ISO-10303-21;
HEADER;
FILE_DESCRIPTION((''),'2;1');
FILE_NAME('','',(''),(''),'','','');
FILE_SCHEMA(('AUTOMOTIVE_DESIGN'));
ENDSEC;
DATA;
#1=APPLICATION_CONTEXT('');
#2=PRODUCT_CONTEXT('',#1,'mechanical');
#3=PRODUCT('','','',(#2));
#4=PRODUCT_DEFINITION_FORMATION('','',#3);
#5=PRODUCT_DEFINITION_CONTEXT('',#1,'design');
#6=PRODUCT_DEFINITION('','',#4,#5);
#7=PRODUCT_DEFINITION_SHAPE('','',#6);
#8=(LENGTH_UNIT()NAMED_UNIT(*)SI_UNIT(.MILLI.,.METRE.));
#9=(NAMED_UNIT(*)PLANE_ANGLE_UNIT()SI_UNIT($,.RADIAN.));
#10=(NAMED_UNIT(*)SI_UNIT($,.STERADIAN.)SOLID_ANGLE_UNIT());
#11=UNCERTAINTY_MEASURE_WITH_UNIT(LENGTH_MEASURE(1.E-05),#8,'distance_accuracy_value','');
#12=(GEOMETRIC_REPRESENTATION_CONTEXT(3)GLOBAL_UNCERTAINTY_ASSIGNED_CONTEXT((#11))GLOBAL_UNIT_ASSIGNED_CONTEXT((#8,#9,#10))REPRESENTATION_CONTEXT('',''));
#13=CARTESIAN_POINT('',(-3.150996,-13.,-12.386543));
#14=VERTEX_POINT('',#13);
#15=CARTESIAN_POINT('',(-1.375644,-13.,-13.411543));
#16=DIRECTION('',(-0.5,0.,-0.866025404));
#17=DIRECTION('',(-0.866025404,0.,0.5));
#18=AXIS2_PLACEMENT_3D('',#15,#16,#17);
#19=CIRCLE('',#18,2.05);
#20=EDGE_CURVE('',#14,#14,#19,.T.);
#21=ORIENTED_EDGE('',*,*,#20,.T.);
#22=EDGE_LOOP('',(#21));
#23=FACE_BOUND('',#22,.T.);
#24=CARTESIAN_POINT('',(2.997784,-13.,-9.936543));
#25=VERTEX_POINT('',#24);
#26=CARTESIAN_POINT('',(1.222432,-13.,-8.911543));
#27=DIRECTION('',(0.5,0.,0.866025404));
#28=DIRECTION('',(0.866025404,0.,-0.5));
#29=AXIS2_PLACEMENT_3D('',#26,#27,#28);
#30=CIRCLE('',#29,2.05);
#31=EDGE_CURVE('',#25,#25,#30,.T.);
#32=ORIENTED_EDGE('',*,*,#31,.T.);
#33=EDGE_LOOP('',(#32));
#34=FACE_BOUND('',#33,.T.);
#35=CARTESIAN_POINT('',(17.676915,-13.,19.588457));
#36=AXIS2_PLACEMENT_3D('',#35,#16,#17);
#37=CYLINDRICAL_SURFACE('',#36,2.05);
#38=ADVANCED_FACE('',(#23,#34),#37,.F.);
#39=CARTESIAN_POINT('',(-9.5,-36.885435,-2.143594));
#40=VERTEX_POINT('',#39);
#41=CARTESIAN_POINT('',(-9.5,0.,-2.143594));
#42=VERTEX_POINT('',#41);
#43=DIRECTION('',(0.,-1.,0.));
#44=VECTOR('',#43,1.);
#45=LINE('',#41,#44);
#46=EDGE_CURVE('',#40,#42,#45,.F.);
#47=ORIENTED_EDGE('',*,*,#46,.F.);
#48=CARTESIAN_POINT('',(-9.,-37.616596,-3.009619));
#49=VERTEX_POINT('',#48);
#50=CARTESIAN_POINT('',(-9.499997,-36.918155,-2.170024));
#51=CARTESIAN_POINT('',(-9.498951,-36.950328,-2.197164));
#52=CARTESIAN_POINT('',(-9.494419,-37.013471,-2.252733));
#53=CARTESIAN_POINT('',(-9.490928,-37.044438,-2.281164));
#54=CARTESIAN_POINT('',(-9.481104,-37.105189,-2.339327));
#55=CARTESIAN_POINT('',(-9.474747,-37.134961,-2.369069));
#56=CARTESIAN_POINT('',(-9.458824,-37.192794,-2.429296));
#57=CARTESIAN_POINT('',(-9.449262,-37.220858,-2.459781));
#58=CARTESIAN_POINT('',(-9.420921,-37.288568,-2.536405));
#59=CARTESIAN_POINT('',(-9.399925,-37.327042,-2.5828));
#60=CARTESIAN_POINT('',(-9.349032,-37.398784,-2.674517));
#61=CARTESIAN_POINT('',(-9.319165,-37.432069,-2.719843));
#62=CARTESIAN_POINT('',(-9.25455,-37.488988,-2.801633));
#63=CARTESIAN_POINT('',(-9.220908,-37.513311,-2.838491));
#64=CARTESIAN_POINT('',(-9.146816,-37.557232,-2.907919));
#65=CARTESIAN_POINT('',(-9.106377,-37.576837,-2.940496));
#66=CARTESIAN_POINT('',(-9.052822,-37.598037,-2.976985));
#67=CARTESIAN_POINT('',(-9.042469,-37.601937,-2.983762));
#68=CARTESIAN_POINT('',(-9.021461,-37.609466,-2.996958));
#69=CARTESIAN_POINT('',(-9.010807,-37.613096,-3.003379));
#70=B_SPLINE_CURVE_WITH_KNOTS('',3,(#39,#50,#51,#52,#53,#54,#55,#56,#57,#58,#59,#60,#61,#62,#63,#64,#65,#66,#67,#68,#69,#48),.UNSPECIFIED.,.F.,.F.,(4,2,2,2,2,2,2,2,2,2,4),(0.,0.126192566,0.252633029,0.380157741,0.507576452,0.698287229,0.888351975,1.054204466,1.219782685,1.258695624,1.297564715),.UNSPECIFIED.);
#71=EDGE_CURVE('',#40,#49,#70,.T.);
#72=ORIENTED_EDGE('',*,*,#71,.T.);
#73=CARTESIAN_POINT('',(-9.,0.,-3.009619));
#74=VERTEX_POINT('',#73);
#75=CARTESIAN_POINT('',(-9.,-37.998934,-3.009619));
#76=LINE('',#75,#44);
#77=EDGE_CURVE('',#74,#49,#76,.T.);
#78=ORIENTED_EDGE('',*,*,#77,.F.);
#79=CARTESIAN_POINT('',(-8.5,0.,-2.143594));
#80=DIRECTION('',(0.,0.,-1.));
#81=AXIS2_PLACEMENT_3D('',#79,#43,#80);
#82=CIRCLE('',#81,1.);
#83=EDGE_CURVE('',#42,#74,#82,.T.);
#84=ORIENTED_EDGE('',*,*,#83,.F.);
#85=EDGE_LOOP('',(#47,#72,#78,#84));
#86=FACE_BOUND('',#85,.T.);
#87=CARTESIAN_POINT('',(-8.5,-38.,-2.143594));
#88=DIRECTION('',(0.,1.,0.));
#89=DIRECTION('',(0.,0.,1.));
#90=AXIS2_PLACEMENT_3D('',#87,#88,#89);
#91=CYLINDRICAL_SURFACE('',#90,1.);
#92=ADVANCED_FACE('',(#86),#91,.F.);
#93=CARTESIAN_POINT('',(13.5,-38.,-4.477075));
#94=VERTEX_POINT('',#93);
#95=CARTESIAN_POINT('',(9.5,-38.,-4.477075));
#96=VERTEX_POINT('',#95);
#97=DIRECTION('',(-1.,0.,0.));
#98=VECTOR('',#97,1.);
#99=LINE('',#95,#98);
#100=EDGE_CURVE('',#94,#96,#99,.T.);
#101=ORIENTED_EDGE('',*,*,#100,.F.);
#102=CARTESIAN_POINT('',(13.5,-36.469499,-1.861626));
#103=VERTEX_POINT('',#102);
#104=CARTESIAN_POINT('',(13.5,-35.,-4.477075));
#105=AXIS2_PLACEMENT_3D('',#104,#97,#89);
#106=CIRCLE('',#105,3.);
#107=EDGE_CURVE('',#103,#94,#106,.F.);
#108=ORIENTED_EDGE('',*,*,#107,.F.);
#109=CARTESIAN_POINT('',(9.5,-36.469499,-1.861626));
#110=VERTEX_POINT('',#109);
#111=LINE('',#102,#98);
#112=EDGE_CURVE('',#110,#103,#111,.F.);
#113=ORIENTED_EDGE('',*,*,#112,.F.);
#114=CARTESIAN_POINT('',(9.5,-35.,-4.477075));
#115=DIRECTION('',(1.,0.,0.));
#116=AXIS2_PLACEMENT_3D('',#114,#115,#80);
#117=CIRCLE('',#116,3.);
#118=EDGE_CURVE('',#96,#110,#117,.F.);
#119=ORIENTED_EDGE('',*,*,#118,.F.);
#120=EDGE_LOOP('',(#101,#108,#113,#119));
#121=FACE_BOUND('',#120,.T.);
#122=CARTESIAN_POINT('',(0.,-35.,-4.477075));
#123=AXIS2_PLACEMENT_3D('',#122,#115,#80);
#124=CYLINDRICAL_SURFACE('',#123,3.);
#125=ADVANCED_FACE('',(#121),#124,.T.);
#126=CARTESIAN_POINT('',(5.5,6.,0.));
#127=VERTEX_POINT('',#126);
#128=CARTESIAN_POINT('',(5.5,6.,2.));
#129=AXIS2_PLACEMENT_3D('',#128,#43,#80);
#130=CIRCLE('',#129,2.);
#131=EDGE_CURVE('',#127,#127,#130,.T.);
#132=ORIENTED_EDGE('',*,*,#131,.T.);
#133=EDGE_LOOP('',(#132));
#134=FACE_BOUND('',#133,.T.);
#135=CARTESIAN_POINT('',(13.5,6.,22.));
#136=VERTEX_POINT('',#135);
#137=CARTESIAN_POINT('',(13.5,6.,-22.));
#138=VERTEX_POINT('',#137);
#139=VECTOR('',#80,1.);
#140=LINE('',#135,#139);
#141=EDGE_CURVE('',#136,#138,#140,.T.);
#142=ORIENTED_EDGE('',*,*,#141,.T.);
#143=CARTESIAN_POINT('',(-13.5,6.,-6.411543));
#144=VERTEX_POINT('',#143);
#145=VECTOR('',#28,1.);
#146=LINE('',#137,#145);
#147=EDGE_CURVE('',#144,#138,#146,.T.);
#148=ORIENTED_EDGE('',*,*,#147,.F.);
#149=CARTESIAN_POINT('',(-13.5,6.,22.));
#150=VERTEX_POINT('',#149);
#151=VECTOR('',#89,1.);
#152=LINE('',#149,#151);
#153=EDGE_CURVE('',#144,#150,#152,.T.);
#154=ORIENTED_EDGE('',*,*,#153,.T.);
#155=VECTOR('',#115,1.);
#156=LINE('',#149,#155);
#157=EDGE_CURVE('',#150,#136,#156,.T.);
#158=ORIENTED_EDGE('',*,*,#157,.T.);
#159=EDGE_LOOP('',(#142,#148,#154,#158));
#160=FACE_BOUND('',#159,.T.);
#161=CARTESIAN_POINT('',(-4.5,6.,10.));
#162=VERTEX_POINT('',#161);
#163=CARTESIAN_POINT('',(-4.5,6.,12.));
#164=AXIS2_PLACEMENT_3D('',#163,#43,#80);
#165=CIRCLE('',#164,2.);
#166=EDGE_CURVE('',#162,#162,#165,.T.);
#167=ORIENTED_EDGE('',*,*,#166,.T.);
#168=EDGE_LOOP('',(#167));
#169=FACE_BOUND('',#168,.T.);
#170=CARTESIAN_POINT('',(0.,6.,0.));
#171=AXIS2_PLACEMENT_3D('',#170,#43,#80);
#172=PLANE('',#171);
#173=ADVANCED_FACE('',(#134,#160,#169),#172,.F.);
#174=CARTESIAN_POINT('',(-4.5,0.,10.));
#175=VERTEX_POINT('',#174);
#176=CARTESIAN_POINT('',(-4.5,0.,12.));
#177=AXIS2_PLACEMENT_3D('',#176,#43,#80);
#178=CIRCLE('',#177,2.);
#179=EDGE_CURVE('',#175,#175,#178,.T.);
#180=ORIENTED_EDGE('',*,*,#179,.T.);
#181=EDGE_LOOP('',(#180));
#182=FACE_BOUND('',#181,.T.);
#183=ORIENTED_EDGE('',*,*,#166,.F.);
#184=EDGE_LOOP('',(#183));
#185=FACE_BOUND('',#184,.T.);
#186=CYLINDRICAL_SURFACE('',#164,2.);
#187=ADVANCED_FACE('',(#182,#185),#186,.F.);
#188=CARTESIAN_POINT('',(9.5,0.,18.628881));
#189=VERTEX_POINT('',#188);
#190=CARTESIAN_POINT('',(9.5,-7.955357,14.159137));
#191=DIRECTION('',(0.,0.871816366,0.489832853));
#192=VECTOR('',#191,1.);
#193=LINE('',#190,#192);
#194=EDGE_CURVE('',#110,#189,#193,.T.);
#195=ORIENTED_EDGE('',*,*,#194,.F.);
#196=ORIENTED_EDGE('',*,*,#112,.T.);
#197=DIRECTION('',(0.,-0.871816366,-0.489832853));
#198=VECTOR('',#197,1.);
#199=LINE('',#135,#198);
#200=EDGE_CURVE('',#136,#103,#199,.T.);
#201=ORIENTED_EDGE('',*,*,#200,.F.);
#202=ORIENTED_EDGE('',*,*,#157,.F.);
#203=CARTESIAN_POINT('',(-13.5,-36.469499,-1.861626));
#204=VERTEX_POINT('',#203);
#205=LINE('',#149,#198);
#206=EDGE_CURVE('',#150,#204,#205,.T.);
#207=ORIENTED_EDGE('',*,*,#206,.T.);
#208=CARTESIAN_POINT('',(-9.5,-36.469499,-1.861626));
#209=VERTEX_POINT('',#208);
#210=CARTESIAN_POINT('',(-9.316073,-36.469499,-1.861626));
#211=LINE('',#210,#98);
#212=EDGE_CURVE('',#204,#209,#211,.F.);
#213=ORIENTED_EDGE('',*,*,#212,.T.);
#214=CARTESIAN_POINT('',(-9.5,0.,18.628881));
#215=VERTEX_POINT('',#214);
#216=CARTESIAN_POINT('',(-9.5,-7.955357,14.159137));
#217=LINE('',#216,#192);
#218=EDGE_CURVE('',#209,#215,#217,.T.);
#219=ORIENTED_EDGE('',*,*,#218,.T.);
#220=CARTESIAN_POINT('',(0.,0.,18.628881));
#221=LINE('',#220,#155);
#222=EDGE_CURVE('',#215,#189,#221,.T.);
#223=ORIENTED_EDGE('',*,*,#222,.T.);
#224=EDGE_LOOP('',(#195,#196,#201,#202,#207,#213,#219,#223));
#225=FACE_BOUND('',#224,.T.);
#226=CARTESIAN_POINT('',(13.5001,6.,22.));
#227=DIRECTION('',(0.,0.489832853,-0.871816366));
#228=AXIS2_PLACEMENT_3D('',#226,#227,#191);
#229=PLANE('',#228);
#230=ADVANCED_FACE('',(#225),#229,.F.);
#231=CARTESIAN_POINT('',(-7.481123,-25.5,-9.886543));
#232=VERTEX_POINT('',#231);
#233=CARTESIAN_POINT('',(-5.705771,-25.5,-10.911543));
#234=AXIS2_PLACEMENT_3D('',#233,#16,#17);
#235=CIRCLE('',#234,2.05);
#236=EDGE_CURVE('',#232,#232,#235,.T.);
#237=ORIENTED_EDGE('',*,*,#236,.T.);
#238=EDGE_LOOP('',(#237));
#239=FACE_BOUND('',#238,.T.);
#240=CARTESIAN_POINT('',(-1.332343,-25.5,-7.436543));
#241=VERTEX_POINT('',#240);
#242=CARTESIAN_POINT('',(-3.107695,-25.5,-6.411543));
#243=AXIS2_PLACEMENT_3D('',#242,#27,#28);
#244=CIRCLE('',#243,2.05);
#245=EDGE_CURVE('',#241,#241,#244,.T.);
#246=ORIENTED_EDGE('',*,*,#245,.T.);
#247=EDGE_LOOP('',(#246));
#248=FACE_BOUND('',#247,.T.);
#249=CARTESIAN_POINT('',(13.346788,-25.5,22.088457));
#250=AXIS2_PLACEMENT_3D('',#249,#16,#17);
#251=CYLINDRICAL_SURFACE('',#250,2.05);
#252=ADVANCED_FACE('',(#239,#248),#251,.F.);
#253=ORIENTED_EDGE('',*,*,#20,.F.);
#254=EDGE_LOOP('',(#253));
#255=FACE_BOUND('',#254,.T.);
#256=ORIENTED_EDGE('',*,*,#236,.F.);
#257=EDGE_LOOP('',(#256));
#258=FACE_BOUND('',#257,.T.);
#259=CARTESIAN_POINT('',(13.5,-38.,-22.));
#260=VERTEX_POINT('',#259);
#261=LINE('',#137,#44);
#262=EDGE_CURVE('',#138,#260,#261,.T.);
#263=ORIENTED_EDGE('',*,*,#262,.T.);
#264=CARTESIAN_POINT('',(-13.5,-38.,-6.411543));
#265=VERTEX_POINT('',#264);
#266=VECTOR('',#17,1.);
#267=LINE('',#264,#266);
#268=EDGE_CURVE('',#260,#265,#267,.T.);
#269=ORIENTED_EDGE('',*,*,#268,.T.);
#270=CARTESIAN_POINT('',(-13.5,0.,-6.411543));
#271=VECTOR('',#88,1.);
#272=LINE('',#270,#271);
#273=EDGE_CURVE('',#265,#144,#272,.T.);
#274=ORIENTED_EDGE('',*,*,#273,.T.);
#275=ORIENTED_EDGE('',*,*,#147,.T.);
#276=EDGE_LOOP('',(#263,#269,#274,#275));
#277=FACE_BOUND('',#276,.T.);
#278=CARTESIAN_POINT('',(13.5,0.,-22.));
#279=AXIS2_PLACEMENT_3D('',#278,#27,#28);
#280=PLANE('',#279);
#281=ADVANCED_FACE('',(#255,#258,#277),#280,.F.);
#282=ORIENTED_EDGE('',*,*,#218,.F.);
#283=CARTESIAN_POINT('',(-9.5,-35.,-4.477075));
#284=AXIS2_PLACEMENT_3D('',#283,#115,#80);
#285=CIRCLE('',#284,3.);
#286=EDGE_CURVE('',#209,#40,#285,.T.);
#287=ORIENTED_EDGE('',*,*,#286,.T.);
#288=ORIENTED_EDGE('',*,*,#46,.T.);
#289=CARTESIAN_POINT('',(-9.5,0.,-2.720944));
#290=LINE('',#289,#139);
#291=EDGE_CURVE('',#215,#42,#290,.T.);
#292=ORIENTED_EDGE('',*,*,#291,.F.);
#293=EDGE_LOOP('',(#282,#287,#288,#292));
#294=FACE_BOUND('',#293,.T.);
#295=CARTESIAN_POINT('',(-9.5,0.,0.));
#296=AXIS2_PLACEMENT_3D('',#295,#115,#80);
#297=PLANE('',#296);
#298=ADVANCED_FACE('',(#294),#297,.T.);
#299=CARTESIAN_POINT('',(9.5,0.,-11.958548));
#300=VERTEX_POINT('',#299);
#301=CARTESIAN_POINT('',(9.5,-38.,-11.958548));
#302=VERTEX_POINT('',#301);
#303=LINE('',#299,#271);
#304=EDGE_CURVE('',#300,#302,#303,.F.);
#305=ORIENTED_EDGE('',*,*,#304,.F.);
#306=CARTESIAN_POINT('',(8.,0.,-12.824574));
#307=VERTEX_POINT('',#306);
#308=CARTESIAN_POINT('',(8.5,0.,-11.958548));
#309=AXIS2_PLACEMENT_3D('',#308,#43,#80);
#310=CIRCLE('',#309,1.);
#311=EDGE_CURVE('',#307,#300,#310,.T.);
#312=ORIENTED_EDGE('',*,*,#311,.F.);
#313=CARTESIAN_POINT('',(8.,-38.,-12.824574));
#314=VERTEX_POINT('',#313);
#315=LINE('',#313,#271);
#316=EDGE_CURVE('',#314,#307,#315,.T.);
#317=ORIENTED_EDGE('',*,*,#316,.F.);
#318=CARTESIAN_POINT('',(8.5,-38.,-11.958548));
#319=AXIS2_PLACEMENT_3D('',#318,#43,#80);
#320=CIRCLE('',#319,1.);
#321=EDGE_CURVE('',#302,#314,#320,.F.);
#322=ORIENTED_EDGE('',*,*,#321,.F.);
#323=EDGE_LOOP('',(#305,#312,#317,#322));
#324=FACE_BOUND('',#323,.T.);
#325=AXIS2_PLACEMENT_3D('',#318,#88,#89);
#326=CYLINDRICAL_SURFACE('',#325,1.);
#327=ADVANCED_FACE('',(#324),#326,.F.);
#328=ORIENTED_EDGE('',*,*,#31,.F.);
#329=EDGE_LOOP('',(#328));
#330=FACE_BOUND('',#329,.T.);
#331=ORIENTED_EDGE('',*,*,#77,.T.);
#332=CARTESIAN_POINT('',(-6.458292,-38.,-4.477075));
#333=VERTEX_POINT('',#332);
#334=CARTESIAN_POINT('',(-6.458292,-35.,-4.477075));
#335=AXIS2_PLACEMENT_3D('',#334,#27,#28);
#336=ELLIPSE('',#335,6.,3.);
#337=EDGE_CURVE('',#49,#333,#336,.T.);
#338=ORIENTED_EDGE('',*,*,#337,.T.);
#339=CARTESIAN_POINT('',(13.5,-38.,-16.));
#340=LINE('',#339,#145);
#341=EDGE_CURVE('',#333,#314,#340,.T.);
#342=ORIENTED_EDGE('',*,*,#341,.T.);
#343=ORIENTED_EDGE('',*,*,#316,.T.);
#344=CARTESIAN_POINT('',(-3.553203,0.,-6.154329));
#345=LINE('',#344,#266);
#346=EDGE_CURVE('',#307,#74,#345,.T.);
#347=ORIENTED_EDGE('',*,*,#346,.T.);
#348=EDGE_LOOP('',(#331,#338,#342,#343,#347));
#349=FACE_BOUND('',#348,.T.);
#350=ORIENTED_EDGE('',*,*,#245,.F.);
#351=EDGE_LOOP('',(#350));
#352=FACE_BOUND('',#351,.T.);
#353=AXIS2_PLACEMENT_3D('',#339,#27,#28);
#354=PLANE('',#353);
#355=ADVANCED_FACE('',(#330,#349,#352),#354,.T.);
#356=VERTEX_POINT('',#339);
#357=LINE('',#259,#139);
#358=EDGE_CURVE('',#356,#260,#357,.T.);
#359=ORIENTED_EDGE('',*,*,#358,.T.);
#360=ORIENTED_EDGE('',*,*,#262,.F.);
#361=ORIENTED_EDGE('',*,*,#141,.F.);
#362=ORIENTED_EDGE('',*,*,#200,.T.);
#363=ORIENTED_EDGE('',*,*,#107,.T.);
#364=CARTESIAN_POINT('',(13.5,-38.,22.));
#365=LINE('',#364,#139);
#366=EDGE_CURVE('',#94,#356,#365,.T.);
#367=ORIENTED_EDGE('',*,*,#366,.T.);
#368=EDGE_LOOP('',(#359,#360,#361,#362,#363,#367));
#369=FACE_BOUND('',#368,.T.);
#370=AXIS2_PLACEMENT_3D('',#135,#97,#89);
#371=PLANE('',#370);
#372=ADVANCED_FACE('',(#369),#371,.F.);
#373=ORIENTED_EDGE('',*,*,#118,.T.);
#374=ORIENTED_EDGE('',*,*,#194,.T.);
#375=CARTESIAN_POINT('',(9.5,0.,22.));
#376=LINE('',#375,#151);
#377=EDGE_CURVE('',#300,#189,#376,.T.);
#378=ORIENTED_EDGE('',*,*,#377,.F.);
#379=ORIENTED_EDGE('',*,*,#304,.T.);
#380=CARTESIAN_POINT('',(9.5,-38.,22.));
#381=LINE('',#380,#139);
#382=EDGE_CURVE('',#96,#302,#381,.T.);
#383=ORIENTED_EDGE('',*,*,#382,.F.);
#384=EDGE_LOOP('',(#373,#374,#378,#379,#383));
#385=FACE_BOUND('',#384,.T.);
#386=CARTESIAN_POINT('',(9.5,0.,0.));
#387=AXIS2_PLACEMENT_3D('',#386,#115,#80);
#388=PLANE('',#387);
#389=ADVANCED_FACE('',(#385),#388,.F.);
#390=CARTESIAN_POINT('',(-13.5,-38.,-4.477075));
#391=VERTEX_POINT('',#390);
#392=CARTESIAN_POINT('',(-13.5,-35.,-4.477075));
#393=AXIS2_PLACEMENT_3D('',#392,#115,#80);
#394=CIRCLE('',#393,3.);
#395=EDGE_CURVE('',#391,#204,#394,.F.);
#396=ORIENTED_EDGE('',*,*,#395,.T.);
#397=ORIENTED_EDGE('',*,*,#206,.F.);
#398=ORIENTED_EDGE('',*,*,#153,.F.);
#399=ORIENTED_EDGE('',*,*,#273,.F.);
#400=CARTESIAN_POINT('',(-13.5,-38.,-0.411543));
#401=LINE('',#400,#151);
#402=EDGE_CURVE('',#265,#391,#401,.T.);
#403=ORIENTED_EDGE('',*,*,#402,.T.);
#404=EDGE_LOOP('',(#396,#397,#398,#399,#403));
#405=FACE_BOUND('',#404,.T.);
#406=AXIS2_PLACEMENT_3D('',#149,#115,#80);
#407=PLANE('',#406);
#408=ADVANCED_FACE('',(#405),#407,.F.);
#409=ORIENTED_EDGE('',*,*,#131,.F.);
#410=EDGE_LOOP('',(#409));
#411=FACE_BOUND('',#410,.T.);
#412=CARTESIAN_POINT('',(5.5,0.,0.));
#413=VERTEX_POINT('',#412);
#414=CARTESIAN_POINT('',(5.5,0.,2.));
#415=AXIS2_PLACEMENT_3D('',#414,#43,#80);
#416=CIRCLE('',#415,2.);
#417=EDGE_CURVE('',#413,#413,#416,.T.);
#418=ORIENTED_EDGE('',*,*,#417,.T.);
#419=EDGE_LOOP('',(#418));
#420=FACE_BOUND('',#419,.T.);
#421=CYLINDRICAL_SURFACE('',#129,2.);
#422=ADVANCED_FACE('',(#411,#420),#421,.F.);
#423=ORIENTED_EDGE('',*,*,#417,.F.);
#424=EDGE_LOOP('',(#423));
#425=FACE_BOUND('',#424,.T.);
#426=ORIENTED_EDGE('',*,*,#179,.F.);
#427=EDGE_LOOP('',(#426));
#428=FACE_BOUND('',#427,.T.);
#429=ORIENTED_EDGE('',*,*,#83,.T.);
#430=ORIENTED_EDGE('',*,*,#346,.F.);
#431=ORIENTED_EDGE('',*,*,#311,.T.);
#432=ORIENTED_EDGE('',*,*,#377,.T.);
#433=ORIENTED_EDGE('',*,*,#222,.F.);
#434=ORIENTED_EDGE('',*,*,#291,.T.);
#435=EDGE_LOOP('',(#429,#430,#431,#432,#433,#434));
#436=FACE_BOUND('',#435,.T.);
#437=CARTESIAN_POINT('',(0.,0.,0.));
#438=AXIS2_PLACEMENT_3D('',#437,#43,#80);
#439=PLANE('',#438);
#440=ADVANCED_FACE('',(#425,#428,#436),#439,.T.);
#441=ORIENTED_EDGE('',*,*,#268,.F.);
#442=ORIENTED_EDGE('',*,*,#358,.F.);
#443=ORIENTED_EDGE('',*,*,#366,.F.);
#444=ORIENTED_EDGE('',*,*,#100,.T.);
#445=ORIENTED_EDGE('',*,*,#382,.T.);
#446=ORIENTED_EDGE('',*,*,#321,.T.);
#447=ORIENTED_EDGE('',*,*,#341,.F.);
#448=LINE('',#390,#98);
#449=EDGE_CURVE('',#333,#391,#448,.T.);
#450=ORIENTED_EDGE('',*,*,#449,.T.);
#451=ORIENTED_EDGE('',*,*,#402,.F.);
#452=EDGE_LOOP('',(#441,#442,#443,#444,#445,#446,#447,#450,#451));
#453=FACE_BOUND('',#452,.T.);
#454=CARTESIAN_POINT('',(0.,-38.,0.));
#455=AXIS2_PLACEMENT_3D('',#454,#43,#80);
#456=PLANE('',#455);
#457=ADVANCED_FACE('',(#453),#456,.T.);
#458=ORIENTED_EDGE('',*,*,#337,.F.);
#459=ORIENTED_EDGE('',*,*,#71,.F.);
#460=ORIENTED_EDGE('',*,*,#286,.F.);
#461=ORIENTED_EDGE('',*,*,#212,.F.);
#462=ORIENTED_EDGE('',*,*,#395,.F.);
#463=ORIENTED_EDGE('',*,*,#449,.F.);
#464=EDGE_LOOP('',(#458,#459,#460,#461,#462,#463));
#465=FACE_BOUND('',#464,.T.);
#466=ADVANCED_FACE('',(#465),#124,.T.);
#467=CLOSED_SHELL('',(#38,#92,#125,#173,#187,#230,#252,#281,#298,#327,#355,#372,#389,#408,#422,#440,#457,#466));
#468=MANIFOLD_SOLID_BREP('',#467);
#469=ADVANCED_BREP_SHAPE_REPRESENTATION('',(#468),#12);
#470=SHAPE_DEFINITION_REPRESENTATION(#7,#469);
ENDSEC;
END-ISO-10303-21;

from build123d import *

# Parameters (mm, degrees)
SKETCH1_W           = 27
SKETCH1_H           = 44
BOSS_EXTRUDE1_DEPTH = 6
CUT_EXTRUDE1_DEPTH  = 27.5
BOSS_EXTRUDE2_DEPTH = 44
SKETCH4_R           = 2
CUT_EXTRUDE2_DEPTH  = 46.937457483
SKETCH7_R           = 2.05
CUT_EXTRUDE4_DEPTH  = 54.81893677
CUT_EXTRUDE6_DEPTH  = 52.546096044
FILLET1_R           = 1
FILLET2_R           = 3


with BuildPart() as part:
    # Sketch1 → Boss-Extrude1 (new body)
    with BuildSketch(Plane(origin=(0, 0, 0), x_dir=(1, 0, 0), z_dir=(0, 1, 0))):
        Rectangle(SKETCH1_W, SKETCH1_H)
    extrude(amount=BOSS_EXTRUDE1_DEPTH)

    # Sketch2 → Cut-Extrude1 (cut, through all)
    with BuildSketch(Plane(origin=(0, 6, 0), x_dir=(1, 0, 0), z_dir=(0, 1, 0))):
        Polygon((13.5, 22), (-13.5, 6.411542732), (-13.5, 22), align=None)
    extrude(amount=-CUT_EXTRUDE1_DEPTH, mode=Mode.SUBTRACT)

    # Sketch3 → Boss-Extrude2 (add)
    with BuildSketch(Plane(origin=(0, 6, 0), x_dir=(1, 0, 0), z_dir=(0, 1, 0))):
        Polygon((-13.5, 6.411542732), (13.5, 22), (13.5, 16), (-13.5, 0.411542732), align=None)
    extrude(amount=-BOSS_EXTRUDE2_DEPTH)

    # Sketch4 → Cut-Extrude2 (cut, through all)
    with BuildSketch(Plane.XZ):
        with Locations(Location((-4.5, 12, 0), (0, 0, 270))):
            Circle(SKETCH4_R)
        with Locations(Location((5.5, 2, 0), (0, 0, 270))):
            Circle(SKETCH4_R)
    extrude(amount=-CUT_EXTRUDE2_DEPTH, mode=Mode.SUBTRACT)

    # Sketch7 → Cut-Extrude4 (cut, through all)
    with BuildSketch(Plane(origin=(-6.151279442, 0, -10.654328524), x_dir=(-0.8660254037844417, 0, 0.49999999999999495), z_dir=(-0.49999999999999495, 0, -0.8660254037844417))):
        with Locations((-5.514428415, -13)):
            Circle(SKETCH7_R)
        with Locations((-0.514428415, -25.5)):
            Circle(SKETCH7_R)
    extrude(amount=-CUT_EXTRUDE4_DEPTH, mode=Mode.SUBTRACT)

    # Sketch15 → Loft5 section 0
    with BuildSketch(Plane(origin=(9.5, 0, 0), x_dir=(0, 0, -1), z_dir=(1, 0, 0))):
        with BuildLine():
            Line((-22, 0), (13.690598923, 0))
            Line((13.690598923, 0), (13.690598923, -38))
            Line((13.690598923, -38), (-22, -38))
            Line((-22, -38), (-22, 0))
        make_face()
    # Sketch17 → Loft5 section 1
    with BuildSketch(Plane(origin=(13.5, 0, 0), x_dir=(0, 0, -1), z_dir=(1, 0, 0))):
        with BuildLine():
            Line((-22, 0), (16, 0))
            Line((16, 0), (16, -38))
            Line((16, -38), (-22, -38))
            Line((-22, -38), (-22, 0))
        make_face()
    loft()

    # Sketch12 → Loft7 section 0
    with BuildSketch(Plane.ZY.offset(9.5)):
        with BuildLine():
            Line((-2.720943809, -38), (-2.720943809, 0))
            Line((-2.720943809, 0), (22, 0))
            Line((22, 0), (22, -38))
            Line((22, -38), (-2.720943809, -38))
        make_face()
    # Sketch20 → Loft7 section 1
    with BuildSketch(Plane.ZY.offset(13.5)):
        with BuildLine():
            Line((-0.411542732, 0), (22, 0))
            Line((22, 0), (22, -38))
            Line((22, -38), (-0.411542732, -38))
            Line((-0.411542732, -38), (-0.411542732, 0))
        make_face()
    loft()

    # Sketch22 → Cut-Extrude6 (cut, through all)
    with BuildSketch(Plane.ZY.offset(13.5)):
        Polygon((22, 6), (-2.721542732, -38), (22, -38), align=None)
    extrude(amount=-CUT_EXTRUDE6_DEPTH, mode=Mode.SUBTRACT)

    # Fillet1
    fillet1_edges = [part.edges().sort_by_distance(p)[0] for p in [
        (9.5, -19, -13.690598923),
        (-9.5, -18.999467011, -2.720943809),
    ]]
    fillet(fillet1_edges, radius=FILLET1_R)

    # Fillet2
    fillet2_edges = [part.edges().sort_by_distance(p)[0] for p in [
        (-11.408036374, -38, -2.721542732),
        (11.5, -38, -2.721542732),
    ]]
    fillet(fillet2_edges, radius=FILLET2_R)


solid = part.part
